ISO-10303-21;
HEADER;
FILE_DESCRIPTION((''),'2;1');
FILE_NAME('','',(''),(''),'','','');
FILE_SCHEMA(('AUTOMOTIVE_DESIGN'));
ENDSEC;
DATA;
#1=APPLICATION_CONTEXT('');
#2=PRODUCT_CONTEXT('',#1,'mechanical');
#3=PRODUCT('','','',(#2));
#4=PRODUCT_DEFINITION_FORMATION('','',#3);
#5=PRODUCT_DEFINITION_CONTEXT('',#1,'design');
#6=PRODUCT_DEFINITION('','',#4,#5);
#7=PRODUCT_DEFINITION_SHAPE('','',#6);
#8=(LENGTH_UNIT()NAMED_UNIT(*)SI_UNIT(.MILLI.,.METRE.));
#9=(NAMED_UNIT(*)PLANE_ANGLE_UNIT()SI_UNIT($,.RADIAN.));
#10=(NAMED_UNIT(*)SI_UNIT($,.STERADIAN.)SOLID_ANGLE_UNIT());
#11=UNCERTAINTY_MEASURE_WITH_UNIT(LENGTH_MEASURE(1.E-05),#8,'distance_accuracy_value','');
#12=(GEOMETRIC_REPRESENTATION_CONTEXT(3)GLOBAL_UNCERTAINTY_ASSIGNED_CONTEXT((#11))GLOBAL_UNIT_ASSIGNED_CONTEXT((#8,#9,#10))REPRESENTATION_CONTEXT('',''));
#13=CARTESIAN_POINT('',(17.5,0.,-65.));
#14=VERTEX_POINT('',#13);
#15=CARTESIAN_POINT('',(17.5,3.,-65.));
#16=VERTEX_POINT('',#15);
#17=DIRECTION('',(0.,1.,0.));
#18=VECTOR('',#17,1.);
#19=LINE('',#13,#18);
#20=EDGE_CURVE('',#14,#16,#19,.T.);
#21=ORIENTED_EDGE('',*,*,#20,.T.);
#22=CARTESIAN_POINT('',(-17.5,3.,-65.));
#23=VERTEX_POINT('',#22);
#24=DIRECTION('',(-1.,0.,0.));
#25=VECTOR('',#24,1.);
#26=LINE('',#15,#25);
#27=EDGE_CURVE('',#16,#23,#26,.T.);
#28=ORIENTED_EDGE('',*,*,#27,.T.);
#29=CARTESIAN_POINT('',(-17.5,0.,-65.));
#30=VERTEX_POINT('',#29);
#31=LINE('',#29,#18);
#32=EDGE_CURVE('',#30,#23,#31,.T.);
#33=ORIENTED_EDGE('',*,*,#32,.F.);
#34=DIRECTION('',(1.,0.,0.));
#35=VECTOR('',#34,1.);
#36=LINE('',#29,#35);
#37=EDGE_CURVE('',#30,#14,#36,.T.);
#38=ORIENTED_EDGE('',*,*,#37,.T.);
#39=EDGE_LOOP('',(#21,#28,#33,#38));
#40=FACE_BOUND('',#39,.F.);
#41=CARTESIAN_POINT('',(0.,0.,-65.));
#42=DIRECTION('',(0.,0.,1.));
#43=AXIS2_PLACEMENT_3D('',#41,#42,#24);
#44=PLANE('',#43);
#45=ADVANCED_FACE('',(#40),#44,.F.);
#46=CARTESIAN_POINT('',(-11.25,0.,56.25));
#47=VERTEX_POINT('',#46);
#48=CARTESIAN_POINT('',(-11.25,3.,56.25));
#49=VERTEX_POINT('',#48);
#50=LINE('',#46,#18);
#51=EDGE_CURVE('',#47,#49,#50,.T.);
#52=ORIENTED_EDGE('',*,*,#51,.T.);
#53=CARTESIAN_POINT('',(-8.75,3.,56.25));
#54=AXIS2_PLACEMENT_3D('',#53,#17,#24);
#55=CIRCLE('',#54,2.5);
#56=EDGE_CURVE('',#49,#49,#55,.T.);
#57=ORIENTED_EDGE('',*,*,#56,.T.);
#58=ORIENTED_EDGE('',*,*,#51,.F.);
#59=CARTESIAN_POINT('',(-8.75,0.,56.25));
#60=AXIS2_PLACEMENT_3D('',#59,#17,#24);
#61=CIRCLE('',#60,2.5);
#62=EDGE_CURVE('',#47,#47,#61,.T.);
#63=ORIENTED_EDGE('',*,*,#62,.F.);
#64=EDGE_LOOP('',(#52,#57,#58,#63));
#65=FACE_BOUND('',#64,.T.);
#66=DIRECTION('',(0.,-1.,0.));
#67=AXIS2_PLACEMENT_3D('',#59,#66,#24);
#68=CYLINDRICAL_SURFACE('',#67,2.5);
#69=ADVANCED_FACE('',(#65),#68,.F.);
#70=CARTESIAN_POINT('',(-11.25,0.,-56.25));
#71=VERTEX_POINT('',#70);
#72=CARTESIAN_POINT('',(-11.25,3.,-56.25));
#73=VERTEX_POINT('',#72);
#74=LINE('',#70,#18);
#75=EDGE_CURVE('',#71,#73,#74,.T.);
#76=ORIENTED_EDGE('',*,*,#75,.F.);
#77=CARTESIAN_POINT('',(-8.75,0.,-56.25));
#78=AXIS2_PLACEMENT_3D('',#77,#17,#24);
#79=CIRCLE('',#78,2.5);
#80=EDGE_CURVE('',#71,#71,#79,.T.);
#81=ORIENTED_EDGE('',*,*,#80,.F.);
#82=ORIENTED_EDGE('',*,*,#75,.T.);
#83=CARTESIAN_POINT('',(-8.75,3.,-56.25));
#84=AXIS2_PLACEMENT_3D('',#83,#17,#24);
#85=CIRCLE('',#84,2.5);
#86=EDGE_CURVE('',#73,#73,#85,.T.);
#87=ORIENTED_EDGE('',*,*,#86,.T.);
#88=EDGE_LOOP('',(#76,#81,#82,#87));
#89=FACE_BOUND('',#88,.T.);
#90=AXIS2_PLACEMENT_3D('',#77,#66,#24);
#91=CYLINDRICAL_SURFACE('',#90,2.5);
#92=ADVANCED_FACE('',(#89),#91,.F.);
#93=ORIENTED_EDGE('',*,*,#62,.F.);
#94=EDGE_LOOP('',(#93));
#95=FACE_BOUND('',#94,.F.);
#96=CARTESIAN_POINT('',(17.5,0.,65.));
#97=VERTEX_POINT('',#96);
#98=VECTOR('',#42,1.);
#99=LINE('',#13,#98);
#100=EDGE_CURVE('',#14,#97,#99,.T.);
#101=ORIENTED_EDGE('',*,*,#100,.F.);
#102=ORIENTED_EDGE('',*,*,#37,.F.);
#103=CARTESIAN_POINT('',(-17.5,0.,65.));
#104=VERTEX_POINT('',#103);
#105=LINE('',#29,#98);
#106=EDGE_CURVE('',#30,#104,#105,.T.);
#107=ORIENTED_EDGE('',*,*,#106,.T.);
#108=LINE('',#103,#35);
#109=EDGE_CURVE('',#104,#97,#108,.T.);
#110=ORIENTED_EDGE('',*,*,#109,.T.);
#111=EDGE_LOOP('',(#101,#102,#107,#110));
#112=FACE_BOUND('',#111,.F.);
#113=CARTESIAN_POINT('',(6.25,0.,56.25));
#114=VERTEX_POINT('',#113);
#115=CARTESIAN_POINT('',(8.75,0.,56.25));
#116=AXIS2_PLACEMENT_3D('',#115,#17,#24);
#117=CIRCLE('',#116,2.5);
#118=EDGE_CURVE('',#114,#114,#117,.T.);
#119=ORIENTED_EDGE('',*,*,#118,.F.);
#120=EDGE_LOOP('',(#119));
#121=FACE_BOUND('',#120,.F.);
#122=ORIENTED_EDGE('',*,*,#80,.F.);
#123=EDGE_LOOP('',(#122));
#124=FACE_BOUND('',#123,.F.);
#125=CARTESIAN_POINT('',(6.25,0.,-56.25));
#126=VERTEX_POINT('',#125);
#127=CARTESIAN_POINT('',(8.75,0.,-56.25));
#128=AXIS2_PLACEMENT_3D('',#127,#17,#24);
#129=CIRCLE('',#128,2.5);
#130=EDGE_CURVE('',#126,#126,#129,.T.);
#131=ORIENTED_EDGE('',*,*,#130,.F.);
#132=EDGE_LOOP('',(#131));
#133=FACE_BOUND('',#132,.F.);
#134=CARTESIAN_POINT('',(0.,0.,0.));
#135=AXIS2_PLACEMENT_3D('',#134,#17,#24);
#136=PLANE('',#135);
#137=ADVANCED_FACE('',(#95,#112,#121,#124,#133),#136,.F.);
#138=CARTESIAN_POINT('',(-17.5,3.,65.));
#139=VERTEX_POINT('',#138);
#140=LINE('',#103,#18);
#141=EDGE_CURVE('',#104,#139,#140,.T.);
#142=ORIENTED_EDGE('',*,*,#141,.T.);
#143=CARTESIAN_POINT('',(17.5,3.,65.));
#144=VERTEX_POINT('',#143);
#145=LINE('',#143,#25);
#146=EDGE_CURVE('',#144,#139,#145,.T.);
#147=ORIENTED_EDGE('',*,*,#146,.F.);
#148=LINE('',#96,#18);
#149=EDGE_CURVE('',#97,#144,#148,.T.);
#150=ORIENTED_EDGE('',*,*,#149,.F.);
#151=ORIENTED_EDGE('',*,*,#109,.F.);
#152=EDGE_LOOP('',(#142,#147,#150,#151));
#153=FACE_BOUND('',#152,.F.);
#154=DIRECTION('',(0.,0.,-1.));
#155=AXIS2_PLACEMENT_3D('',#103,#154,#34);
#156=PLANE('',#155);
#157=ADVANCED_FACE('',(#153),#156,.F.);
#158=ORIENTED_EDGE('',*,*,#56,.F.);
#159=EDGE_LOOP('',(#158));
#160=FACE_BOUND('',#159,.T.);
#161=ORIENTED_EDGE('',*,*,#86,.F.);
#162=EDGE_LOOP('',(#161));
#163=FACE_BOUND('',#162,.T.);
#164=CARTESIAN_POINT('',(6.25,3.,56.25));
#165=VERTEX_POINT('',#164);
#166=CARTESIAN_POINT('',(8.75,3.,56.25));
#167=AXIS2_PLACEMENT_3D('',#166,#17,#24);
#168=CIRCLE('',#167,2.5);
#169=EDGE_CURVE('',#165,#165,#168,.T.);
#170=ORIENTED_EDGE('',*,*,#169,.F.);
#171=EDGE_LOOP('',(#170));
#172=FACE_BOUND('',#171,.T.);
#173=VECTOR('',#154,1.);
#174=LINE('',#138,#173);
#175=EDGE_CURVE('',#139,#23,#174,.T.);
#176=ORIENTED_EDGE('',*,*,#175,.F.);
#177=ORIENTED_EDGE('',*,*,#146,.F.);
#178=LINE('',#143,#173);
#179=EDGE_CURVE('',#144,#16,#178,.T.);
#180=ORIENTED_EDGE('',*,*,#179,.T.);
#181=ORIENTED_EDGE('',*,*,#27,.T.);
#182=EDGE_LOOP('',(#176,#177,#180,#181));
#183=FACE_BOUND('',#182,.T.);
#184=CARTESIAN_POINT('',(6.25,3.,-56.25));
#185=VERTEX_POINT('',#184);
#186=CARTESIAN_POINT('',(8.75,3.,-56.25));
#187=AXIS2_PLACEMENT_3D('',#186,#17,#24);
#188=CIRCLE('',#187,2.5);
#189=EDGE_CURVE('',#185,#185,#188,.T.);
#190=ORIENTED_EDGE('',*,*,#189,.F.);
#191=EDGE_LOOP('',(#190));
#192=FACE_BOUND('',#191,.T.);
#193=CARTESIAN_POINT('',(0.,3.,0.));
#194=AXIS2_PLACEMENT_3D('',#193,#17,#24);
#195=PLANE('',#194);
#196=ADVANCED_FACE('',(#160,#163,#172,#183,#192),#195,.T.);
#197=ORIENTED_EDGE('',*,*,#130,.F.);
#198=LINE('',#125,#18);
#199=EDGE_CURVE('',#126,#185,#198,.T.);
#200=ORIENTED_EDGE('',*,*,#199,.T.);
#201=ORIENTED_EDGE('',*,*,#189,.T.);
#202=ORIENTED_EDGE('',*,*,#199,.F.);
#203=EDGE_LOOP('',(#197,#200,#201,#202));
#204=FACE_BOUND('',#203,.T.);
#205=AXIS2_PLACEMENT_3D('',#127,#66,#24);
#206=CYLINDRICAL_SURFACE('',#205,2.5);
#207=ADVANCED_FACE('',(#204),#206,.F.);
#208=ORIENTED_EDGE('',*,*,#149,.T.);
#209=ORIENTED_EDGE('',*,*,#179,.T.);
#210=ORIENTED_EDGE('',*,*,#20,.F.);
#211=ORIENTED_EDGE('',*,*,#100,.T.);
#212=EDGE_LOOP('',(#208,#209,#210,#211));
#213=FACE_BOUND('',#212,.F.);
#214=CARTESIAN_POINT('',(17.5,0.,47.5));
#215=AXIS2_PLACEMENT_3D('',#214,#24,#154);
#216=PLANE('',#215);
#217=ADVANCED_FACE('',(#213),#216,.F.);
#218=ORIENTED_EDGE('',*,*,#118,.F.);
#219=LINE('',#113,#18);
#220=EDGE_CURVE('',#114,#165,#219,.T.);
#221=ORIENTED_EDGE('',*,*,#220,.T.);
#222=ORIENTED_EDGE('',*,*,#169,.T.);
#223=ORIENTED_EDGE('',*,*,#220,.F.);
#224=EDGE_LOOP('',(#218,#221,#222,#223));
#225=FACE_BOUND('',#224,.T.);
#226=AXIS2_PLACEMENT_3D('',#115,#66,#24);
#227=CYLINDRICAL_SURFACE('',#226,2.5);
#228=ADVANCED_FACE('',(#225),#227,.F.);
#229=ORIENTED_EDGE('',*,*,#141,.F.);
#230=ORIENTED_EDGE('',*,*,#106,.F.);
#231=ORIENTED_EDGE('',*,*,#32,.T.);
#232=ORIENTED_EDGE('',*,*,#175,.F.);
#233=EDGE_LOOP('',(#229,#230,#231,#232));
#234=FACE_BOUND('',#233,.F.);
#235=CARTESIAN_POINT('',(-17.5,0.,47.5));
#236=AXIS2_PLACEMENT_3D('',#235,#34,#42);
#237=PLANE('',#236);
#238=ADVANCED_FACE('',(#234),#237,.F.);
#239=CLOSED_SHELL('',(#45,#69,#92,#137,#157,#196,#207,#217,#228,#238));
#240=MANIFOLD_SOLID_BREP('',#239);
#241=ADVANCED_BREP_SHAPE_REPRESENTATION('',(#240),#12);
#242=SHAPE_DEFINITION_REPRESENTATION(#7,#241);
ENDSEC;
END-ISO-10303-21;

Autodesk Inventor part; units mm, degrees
ref_plane "YZ Plane" through (0, 0, 0) normal (1, 0, 0) x (0, 1, 0)
ref_plane "XZ Plane" through (0, 0, 0) normal (0, 1, 0) x (-1, 0, 0)
ref_plane "XY Plane" through (0, 0, 0) normal (0, 0, 1) x (1, 0, 0)
sketch "Sketch1" plane through (0, 0, 0) normal (0, 1, 0) x (-1, 0, 0)
  line L0 (17.5, 65) -> (-17.5, 65)
  line L1 (-17.5, 65) -> (-17.5, -65)
  line L2 (-17.5, -65) -> (17.5, -65)
  line L3 (17.5, -65) -> (17.5, 65)
  line L4 (17.5, 65) -> (-17.5, -65) construction
  line L5 (-17.5, 65) -> (17.5, -65) construction
  line L6 (-17.5, 65) -> (0, 65)
  line L7 (0, 65) -> (0, 47.5)
  line L8 (0, 47.5) -> (-17.5, 47.5)
  line L9 (-17.5, 47.5) -> (-17.5, 65)
  line L10 (17.5, 65) -> (0, 65)
  line L11 (0, 65) -> (0, 47.5)
  line L12 (0, 47.5) -> (17.5, 47.5)
  line L13 (17.5, 47.5) -> (17.5, 65)
  line L14 (17.5, -65) -> (0, -65)
  line L15 (0, -65) -> (0, -47.5)
  line L16 (0, -47.5) -> (17.5, -47.5)
  line L17 (17.5, -47.5) -> (17.5, -65)
  line L18 (0, -47.5) -> (-17.5, -47.5)
  line L19 (-17.5, -47.5) -> (-17.5, -65)
  line L20 (-17.5, -65) -> (0, -65)
  line L21 (0, -65) -> (0, -47.5)
  circle A0 centre (8.75, 56.25) radius 2.5
  circle A1 centre (-8.75, 56.25) radius 2.5
  circle A2 centre (8.75, -56.25) radius 2.5
  circle A3 centre (-8.75, -56.25) radius 2.5
  point P0 (0, 0)
  dimension "d0" = 35
  dimension "d1" = 130
  dimension "d2" = 17.5
  dimension "d3" = 17.5
  dimension "d4" = 17.5
  dimension "d5" = 17.5
  dimension "d6" = 5
  dimension "d7" = 5
  dimension "d8" = 5
  dimension "d9" = 5
  dimension "d10" = 17.5
  dimension "d11" = 17.5
  dimension "d12" = 8.75
  dimension "d13" = 8.75
  dimension "d14" = 8.75
  dimension "d15" = 8.75
  dimension "d16" = 8.75
  dimension "d17" = 8.75
extrude "Extrusion1" add sketch "Sketch1" along normal blind 3
properties part number "cap"
